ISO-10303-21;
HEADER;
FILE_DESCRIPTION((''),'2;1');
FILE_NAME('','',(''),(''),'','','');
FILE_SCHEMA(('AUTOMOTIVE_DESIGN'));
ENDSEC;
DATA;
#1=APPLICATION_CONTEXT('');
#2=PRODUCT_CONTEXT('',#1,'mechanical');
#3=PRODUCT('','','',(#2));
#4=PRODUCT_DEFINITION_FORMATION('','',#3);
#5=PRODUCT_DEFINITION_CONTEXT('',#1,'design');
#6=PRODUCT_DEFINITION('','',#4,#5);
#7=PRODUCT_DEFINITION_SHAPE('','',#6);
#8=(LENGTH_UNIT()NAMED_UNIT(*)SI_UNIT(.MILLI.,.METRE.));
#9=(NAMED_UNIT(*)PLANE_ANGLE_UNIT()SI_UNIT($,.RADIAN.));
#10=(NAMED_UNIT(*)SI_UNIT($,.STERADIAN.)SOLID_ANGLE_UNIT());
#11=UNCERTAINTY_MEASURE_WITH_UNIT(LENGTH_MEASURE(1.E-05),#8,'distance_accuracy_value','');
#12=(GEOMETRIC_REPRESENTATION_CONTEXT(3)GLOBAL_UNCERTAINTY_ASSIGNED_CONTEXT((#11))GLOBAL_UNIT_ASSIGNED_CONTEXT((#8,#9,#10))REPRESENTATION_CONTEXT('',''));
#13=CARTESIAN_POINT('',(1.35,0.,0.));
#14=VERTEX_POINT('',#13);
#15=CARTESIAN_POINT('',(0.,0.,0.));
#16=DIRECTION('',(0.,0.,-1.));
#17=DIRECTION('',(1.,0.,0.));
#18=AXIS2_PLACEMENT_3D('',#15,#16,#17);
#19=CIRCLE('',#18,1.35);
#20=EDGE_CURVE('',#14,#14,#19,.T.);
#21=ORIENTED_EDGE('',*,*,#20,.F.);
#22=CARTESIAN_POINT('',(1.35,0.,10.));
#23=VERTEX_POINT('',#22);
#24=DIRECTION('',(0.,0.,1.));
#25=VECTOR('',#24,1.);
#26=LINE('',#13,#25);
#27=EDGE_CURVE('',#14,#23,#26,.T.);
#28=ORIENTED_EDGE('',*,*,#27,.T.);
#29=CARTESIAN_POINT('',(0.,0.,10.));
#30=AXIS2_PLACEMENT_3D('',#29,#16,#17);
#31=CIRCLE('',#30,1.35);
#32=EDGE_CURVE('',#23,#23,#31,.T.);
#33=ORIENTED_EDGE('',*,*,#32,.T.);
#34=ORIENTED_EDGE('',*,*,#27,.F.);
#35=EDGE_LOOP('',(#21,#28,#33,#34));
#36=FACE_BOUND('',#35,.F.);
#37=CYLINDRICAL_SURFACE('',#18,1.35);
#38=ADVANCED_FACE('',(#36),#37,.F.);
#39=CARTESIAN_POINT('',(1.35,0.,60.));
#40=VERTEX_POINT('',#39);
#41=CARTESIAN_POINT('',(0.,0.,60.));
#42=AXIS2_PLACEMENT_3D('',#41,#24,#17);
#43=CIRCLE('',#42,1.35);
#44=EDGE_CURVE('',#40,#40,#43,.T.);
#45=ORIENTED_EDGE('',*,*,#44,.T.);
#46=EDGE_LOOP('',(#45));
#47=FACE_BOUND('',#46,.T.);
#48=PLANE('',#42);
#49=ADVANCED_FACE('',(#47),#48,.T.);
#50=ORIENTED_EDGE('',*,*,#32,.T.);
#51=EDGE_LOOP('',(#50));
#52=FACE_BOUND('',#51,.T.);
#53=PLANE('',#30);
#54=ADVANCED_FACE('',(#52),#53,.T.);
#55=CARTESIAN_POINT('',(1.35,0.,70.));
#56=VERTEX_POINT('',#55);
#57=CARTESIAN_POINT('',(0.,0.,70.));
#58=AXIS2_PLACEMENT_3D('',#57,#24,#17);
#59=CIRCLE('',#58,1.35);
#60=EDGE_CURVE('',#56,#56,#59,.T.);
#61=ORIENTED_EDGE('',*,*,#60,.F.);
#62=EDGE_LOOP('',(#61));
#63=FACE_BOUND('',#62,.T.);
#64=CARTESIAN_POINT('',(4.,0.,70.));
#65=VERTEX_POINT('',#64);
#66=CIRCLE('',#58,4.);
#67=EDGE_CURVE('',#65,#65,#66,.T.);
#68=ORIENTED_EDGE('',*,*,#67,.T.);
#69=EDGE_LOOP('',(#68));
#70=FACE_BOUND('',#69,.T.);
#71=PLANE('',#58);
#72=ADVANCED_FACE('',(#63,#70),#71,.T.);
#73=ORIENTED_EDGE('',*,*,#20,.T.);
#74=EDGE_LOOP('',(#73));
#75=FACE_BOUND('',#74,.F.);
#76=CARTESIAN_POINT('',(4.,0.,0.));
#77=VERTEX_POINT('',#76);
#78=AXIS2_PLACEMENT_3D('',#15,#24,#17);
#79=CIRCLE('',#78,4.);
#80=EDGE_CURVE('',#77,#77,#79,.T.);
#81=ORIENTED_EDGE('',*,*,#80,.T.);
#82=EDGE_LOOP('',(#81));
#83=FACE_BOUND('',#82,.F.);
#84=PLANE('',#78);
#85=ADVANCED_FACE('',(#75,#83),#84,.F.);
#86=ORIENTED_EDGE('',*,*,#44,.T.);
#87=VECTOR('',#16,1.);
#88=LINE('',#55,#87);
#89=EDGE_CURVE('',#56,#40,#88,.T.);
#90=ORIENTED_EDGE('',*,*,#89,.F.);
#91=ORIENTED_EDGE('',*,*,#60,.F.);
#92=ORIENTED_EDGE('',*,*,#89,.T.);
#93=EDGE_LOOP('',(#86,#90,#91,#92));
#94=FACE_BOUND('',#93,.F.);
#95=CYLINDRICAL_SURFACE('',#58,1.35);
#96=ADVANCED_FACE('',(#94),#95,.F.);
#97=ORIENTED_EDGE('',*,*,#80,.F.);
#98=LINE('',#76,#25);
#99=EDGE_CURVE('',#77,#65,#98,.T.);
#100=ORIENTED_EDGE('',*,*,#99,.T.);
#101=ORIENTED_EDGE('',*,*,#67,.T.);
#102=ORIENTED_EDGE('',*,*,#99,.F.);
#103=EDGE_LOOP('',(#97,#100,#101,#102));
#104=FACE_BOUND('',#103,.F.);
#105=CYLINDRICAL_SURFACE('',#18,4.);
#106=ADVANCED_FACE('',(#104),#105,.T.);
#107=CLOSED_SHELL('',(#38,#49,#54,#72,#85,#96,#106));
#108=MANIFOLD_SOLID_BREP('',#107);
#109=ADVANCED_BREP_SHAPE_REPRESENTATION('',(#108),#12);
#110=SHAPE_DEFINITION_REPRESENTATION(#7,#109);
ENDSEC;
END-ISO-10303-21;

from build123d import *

# Parameters (mm, degrees)
SKETCH_R        = 4
PAD_DEPTH       = 70
SKETCH001_R     = 1.35
POCKET_DEPTH    = 10
SKETCH002_R     = 1.35
POCKET001_DEPTH = 10


with BuildPart() as part:
    # Sketch → Pad (new body)
    with BuildSketch(Plane.XY):
        Circle(SKETCH_R)
    extrude(amount=PAD_DEPTH)

    # Sketch001 → Pocket (cut)
    with BuildSketch(Plane.XY.offset(70)):
        Circle(SKETCH001_R)
    extrude(amount=-POCKET_DEPTH, mode=Mode.SUBTRACT)

    # Sketch002 → Pocket001 (cut)
    with BuildSketch(Plane(origin=(0, 0, 0), x_dir=(1, 0, 0), z_dir=(0, 0, -1))):
        Circle(SKETCH002_R)
    extrude(amount=-POCKET001_DEPTH, mode=Mode.SUBTRACT)


solid = part.part
